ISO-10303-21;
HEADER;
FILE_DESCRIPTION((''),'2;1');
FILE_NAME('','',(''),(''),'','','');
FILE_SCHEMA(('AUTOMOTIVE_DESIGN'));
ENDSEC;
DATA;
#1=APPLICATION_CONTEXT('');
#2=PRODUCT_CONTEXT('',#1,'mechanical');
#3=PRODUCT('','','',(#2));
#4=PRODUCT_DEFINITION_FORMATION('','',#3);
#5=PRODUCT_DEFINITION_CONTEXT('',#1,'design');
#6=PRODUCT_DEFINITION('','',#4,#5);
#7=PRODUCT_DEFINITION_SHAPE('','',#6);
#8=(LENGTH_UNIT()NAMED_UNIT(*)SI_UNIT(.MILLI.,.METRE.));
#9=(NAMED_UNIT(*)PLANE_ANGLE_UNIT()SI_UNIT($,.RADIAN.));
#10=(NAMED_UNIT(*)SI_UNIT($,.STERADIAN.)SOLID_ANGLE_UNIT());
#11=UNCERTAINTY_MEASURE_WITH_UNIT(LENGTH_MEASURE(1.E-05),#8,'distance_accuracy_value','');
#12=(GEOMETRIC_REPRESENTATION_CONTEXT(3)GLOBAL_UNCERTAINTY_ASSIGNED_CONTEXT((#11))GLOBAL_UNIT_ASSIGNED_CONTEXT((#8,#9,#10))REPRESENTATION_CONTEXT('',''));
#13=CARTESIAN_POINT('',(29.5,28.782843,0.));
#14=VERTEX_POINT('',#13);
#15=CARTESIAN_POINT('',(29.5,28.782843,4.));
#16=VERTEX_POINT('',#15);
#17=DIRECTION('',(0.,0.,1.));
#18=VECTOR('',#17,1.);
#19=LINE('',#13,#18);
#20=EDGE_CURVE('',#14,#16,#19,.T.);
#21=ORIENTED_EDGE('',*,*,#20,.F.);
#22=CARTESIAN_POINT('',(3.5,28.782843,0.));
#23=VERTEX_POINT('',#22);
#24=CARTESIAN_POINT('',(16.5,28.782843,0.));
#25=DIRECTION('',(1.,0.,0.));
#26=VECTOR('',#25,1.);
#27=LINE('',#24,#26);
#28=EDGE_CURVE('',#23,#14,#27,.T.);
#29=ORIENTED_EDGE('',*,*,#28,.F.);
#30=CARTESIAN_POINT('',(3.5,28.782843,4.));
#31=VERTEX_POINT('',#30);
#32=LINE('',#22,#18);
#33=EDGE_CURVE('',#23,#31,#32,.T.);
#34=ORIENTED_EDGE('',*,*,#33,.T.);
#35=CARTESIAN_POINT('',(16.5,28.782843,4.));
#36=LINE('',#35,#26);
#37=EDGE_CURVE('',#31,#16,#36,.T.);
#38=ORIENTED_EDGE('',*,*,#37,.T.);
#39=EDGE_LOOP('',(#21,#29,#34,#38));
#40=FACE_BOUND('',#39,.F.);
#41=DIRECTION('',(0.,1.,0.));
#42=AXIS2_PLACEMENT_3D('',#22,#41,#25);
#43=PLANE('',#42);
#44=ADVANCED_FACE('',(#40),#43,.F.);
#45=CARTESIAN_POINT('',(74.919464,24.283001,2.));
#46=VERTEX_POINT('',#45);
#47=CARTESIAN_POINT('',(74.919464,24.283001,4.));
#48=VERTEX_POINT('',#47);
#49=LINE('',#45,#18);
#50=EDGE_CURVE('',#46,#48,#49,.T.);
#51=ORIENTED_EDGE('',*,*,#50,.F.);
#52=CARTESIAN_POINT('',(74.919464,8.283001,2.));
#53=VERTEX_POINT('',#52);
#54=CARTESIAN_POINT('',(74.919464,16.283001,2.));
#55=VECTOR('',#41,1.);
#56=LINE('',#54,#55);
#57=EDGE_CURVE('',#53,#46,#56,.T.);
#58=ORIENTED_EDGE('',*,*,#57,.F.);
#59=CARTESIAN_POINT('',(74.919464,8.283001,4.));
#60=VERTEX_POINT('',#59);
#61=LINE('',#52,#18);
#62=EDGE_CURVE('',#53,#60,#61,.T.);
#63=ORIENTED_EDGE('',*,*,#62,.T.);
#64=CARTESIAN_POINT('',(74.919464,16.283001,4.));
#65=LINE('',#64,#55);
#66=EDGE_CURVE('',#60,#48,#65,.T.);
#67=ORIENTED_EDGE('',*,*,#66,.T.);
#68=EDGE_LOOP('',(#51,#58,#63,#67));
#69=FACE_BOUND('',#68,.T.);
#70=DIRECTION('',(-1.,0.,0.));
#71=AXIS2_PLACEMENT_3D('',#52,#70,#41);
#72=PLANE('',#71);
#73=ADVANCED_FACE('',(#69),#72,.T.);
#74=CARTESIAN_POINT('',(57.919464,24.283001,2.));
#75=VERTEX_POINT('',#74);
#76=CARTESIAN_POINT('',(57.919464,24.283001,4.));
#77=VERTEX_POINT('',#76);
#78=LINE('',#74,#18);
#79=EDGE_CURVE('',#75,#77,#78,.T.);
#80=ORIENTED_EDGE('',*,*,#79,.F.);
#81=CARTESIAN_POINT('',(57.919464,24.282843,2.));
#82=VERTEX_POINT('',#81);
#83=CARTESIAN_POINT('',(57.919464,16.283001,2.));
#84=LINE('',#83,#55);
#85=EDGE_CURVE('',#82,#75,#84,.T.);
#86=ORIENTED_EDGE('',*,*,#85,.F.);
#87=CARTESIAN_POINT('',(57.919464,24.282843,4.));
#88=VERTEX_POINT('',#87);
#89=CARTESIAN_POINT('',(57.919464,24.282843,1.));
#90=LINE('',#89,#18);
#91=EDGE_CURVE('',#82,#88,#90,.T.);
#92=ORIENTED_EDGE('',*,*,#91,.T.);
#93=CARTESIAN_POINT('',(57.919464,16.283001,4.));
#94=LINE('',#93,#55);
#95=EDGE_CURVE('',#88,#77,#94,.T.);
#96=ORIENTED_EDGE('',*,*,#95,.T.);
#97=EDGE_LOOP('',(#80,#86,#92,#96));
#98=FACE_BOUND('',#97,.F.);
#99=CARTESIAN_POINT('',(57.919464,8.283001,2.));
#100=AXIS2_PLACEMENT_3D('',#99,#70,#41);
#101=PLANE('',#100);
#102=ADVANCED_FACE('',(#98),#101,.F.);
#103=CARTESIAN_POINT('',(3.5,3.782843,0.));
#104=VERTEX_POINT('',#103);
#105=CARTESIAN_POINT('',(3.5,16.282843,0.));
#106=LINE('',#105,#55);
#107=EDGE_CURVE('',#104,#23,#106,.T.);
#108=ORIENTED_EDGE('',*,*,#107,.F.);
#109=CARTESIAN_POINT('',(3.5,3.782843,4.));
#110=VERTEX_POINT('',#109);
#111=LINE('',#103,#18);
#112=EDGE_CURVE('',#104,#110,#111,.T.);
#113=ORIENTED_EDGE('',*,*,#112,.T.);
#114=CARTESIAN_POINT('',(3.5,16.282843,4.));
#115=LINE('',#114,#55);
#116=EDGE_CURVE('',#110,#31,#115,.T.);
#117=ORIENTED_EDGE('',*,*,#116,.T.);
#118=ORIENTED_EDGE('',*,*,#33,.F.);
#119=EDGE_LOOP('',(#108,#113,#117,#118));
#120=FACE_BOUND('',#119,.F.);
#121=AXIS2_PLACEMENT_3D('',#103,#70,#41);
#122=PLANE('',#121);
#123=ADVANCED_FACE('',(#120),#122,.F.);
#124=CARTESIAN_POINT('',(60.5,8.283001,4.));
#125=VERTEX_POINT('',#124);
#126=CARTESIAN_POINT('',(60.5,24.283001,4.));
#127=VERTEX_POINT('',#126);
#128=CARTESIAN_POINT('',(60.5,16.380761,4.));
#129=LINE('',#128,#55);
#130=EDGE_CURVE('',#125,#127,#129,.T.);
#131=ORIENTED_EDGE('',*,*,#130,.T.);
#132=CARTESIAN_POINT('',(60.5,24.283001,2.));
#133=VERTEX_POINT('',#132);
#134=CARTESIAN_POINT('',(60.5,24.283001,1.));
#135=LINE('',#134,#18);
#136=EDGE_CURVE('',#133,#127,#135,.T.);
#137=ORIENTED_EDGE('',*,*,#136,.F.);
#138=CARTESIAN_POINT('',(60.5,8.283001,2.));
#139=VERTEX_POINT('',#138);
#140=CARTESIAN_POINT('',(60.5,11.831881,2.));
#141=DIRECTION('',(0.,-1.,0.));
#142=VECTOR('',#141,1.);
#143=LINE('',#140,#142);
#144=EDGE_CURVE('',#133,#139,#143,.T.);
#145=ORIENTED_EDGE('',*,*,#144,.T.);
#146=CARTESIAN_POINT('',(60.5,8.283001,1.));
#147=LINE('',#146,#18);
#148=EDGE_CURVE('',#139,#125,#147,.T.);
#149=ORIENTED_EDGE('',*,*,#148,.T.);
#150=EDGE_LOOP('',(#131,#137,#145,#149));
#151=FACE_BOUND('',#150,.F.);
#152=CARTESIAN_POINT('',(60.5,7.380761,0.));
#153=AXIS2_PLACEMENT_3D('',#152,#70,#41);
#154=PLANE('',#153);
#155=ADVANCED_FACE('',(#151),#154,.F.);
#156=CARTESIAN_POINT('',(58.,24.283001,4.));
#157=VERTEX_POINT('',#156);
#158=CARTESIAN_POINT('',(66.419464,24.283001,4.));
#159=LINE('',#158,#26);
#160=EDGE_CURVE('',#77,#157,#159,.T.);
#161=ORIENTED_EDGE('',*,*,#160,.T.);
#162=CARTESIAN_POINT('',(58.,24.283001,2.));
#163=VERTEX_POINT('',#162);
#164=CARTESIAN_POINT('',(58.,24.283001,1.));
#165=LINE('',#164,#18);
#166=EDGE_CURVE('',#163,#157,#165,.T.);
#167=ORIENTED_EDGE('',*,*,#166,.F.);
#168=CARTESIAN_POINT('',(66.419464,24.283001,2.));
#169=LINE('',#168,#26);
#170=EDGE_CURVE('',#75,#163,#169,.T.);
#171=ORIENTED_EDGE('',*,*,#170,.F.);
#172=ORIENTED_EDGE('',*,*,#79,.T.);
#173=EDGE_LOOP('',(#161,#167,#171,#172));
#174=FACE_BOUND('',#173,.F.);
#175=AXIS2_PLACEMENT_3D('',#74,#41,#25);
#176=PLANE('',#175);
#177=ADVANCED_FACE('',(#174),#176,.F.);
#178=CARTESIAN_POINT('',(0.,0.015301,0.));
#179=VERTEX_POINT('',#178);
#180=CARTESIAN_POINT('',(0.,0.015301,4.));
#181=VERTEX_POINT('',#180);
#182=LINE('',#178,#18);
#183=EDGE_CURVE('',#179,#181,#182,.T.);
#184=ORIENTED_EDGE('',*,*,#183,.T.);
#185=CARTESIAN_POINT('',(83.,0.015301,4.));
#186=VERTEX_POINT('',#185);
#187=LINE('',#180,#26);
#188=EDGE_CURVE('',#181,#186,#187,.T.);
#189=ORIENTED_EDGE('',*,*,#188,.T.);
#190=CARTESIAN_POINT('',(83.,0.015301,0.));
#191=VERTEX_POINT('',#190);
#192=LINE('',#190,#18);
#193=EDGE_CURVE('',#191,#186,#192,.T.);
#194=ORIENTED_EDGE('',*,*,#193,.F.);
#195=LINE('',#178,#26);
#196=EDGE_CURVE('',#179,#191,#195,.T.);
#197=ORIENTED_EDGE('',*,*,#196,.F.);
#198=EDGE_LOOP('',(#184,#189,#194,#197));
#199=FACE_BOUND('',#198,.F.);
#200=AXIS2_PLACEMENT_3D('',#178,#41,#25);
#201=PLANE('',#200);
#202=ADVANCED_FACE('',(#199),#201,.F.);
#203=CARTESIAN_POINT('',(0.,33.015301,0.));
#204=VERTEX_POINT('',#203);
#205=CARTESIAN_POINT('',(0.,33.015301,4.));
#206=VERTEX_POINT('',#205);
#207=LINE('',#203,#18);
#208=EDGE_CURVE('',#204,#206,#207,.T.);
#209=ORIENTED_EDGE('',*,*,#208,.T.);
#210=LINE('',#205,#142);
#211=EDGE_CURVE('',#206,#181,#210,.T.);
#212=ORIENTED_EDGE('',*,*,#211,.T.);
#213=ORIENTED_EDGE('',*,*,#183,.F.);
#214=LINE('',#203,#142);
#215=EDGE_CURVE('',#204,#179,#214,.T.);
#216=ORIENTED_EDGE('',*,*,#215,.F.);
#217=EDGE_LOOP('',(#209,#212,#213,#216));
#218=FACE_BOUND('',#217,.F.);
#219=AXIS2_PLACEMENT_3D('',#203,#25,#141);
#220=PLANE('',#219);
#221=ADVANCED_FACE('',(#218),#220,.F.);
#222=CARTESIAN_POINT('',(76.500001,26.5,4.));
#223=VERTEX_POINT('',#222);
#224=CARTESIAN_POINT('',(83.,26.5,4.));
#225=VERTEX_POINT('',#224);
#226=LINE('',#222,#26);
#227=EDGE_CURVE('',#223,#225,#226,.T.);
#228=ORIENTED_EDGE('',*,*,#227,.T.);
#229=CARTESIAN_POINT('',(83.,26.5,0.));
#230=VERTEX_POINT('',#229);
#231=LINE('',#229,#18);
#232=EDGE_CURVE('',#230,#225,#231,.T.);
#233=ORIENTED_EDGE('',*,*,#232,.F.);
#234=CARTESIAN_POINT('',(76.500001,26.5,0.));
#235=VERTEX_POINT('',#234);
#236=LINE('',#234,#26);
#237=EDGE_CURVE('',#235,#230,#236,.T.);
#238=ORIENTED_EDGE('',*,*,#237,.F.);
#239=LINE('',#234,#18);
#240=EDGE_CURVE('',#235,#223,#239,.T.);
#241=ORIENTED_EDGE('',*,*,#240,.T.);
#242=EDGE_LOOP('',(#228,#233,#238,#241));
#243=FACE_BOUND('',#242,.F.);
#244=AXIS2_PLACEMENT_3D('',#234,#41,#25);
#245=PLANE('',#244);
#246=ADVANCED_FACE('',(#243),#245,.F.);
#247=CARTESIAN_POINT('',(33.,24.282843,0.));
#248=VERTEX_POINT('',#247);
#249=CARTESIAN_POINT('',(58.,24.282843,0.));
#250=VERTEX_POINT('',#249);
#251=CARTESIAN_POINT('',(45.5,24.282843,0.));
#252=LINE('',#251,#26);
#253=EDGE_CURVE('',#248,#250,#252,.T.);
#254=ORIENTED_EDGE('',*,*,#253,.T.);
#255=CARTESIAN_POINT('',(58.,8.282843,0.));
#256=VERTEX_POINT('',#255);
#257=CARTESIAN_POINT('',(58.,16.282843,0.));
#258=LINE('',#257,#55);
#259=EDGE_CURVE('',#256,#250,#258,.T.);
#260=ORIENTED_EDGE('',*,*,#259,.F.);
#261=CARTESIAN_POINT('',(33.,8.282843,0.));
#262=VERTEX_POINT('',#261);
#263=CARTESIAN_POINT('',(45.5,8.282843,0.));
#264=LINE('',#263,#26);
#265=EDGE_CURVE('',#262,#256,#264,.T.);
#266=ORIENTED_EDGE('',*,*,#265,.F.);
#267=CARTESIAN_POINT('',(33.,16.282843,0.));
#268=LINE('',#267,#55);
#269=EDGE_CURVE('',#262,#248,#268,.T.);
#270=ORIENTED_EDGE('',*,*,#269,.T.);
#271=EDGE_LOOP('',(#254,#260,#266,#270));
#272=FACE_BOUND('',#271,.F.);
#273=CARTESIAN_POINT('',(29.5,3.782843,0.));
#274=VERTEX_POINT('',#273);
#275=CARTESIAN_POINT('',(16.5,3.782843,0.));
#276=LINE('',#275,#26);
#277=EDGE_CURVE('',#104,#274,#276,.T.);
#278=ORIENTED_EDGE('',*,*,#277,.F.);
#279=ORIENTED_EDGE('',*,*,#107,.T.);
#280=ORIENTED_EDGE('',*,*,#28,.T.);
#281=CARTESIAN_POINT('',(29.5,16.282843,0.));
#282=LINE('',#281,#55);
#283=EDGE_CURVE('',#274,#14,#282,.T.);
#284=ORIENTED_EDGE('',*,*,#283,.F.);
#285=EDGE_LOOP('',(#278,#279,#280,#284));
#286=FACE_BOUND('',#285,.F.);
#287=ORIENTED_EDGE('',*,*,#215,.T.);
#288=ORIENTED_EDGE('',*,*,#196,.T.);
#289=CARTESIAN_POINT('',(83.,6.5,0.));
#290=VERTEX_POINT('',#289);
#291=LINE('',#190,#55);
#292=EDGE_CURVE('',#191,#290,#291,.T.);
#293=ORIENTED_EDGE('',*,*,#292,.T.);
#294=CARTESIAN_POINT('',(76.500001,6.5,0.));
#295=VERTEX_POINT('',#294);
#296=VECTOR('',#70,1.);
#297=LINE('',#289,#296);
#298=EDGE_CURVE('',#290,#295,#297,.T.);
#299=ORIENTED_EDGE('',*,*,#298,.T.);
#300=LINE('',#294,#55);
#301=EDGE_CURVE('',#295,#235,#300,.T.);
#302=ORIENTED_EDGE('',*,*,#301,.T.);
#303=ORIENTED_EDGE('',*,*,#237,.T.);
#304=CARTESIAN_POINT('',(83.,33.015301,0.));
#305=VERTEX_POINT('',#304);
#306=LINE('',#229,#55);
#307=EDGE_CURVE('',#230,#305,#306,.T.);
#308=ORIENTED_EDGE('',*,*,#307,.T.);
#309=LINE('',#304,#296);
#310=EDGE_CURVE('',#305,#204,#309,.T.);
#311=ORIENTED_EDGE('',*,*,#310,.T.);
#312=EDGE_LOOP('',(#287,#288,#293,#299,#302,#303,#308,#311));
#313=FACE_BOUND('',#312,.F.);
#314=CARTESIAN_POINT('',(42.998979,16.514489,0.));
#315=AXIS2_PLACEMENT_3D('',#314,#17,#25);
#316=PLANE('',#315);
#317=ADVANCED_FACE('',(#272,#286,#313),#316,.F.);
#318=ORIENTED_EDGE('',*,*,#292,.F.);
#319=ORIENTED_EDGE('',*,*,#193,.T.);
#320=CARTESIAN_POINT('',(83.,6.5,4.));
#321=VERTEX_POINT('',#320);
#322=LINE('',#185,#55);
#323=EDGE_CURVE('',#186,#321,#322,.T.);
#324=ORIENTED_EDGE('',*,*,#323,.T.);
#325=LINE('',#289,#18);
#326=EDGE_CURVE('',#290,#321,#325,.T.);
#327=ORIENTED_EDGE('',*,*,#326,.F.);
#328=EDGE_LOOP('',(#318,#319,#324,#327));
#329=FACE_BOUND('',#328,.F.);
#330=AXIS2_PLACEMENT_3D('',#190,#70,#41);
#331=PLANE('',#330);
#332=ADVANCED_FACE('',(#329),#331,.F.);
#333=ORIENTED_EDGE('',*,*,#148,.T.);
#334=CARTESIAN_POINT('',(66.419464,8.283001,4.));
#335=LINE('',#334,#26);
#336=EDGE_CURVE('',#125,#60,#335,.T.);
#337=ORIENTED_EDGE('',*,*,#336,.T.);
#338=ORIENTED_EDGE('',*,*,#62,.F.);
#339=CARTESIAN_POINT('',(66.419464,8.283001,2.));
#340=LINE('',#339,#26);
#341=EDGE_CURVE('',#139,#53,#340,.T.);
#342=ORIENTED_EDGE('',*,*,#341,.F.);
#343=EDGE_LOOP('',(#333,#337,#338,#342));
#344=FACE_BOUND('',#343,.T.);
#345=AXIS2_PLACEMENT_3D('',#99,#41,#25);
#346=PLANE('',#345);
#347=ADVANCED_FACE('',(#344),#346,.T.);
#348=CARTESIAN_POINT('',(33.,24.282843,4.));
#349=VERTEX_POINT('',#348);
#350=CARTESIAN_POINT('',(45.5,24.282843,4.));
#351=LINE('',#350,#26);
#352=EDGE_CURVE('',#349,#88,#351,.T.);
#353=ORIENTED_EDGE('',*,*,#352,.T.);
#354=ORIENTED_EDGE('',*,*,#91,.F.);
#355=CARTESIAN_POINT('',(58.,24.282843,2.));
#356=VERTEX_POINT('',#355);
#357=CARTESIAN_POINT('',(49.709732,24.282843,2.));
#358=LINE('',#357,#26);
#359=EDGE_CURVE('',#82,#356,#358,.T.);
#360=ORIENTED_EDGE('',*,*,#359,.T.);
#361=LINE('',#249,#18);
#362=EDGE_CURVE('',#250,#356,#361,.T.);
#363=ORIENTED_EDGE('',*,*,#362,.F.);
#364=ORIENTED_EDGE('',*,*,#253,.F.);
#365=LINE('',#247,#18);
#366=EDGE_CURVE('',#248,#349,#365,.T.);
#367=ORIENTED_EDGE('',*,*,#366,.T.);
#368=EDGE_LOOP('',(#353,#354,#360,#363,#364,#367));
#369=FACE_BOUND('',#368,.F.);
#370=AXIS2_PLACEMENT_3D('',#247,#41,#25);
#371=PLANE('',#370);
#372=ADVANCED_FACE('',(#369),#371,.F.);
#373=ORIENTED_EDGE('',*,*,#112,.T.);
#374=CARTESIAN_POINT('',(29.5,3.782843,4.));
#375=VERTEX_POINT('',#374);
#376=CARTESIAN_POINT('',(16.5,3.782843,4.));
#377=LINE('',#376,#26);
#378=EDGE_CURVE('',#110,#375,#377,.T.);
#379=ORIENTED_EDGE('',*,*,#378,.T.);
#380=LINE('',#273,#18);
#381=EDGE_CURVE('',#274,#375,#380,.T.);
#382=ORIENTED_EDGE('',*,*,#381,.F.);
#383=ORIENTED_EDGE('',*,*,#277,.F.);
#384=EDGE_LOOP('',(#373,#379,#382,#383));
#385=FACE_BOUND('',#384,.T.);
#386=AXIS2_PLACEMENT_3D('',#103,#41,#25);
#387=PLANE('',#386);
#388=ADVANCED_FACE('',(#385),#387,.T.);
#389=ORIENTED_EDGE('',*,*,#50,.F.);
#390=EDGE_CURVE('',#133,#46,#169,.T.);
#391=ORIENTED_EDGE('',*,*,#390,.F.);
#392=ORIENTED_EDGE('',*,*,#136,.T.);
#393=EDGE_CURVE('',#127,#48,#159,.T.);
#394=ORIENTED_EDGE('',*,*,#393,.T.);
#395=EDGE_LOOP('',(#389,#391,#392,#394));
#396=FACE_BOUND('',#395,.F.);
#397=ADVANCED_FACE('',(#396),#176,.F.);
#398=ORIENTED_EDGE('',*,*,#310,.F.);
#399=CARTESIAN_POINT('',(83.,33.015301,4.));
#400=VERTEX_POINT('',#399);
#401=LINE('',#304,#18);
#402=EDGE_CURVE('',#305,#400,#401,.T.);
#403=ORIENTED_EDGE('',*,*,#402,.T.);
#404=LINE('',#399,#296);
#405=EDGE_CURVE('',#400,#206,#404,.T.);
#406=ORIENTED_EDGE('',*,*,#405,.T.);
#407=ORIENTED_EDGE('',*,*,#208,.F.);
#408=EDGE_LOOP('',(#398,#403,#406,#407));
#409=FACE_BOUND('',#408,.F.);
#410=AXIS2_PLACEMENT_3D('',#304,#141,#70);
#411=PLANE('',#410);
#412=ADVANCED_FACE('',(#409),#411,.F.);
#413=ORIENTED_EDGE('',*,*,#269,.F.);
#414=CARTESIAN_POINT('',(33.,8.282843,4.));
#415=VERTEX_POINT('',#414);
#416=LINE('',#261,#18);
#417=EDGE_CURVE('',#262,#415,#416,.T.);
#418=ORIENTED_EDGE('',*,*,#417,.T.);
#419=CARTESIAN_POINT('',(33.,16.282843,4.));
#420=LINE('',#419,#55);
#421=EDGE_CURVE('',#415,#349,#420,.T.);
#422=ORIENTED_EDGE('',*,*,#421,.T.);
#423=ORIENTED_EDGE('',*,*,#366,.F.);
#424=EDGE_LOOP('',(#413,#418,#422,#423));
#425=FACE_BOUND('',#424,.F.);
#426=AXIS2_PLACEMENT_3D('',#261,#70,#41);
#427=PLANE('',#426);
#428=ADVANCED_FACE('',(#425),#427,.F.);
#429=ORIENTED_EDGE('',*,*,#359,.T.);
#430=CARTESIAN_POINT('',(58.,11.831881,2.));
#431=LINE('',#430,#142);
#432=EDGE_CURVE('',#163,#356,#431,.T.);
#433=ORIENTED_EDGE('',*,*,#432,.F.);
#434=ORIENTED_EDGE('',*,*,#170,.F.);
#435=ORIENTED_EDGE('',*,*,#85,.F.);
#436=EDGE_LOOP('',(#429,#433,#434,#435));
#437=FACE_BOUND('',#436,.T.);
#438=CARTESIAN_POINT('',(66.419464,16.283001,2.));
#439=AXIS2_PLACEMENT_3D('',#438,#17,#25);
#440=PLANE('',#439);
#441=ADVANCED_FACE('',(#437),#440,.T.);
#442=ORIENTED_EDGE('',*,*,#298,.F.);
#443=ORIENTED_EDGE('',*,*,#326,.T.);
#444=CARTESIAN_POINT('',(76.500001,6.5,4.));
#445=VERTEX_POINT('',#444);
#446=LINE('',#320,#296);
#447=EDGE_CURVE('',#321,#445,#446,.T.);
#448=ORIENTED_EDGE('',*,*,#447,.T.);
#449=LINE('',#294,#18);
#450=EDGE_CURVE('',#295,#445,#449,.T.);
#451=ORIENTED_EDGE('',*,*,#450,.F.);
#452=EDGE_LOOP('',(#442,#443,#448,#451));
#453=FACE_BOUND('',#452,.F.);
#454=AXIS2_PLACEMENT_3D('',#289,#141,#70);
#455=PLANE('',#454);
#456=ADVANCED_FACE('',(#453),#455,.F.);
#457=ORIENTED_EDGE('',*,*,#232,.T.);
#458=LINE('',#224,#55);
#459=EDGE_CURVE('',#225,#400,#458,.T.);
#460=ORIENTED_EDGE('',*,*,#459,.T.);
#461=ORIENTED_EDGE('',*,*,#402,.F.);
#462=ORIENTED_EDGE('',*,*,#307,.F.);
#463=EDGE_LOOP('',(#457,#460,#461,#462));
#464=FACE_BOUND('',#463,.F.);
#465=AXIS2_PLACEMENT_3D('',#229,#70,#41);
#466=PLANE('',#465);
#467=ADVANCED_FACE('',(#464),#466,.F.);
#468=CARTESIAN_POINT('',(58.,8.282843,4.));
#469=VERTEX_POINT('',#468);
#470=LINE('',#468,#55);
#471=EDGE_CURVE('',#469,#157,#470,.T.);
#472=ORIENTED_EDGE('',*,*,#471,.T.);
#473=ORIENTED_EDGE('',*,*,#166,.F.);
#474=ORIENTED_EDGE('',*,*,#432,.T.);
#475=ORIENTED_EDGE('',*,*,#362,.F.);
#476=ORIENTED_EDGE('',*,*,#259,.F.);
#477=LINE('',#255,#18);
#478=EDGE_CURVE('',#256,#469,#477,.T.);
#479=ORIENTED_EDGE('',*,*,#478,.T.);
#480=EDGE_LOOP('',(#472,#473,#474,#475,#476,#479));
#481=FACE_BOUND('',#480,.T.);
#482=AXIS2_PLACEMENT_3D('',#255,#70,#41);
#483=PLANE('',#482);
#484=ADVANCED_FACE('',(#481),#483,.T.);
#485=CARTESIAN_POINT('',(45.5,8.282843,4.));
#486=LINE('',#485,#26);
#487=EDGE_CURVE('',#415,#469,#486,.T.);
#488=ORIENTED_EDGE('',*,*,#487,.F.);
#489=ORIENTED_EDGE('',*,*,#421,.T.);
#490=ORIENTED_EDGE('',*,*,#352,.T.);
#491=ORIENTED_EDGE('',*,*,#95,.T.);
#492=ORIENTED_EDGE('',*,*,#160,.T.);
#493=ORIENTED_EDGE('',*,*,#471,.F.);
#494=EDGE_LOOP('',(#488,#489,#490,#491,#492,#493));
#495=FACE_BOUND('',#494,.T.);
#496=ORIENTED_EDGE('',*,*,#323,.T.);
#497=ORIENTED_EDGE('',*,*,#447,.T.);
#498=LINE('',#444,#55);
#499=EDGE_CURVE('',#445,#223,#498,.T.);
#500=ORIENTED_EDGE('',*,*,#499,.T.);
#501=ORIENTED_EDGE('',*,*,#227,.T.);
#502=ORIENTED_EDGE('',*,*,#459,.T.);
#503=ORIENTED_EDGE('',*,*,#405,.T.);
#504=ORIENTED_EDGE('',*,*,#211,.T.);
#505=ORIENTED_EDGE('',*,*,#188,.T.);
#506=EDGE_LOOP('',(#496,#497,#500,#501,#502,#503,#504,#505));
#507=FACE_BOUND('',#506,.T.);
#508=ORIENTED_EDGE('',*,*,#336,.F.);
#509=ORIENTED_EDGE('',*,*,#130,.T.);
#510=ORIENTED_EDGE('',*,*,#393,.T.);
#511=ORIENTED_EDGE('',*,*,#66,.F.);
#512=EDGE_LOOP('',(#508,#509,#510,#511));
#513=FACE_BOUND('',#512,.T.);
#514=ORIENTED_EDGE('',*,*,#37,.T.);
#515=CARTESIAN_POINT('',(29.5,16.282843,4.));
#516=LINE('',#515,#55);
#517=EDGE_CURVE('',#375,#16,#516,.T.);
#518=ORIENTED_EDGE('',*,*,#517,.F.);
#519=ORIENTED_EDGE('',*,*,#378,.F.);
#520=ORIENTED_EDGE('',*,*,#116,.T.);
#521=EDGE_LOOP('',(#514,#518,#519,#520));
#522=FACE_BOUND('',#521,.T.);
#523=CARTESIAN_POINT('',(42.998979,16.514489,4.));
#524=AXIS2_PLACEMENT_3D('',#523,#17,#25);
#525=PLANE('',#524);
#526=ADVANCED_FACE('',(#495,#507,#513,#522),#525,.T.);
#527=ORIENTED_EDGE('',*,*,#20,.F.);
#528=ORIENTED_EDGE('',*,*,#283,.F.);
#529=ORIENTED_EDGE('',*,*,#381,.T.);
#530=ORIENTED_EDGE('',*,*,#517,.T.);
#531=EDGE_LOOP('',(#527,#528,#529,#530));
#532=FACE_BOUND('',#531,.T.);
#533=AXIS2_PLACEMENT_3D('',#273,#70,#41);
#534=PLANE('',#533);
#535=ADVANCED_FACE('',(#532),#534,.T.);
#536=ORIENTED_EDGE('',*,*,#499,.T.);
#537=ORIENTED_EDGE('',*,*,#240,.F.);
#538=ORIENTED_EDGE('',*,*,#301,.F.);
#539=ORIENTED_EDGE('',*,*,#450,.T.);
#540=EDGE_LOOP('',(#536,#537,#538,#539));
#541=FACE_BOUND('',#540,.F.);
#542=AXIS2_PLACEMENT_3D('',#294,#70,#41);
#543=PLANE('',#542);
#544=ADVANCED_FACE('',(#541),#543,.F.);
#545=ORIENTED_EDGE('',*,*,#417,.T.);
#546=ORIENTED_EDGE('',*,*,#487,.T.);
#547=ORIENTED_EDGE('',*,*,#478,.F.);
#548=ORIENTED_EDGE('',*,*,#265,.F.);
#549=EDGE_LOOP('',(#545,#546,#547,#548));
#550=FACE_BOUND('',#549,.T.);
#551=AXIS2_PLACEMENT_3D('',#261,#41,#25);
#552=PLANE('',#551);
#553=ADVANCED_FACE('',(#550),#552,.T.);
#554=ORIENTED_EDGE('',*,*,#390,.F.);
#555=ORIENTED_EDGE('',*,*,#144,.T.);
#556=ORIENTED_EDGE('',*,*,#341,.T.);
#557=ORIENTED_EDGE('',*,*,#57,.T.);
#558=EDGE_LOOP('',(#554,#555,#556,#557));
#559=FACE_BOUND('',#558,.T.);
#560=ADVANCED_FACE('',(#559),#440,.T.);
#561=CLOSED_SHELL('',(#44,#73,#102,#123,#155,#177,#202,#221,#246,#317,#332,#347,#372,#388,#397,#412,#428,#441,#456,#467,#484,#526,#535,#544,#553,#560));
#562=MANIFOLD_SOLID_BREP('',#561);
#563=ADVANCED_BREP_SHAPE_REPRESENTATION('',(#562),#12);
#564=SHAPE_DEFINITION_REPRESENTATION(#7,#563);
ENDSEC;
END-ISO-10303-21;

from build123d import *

# Parameters (mm, degrees)
SKETCH001_W  = 17
SKETCH001_H  = 16
PAD001_DEPTH = 2
SKETCH005_W  = 2.5
SKETCH005_H  = 18
PAD005_DEPTH = 4
SKETCH_W     = 26
SKETCH_H     = 25
SKETCH_W_2   = 25
SKETCH_H_2   = 16
PAD_DEPTH    = 4


with BuildPart() as cuerpo001:
    # Sketch001 → Pad001 (new body)
    with BuildSketch(Plane.XY):
        with Locations((66.419464, 16.283001)):
            Rectangle(SKETCH001_W, SKETCH001_H)
    extrude(amount=PAD001_DEPTH)


with BuildPart() as cuerpo001_1:
    # Body001 placement: moved
    add(cuerpo001.part.moved(Location((0, 0, 2))))


with BuildPart() as cuerpo005:
    # Sketch005 → Pad005 (new body)
    with BuildSketch(Plane.XY):
        with Locations((59.25, 16.380761)):
            Rectangle(SKETCH005_W, SKETCH005_H)
    extrude(amount=PAD005_DEPTH)


with BuildPart() as cuerpo:
    # Sketch → Pad (new body)
    with BuildSketch(Plane.XY):
        Polygon((0, 33.015301), (0, 0.015301), (83, 0.015301), (83, 6.5), (76.500001, 6.5), (76.500001, 26.5), (83, 26.5), (83, 33.015301), align=None)
        with Locations((16.5, 16.282843)):
            Rectangle(SKETCH_W, SKETCH_H, mode=Mode.SUBTRACT)
        with Locations((45.5, 16.282843)):
            Rectangle(SKETCH_W_2, SKETCH_H_2, mode=Mode.SUBTRACT)
    extrude(amount=PAD_DEPTH)

    # Boolean: cut Cuerpo001
    add(cuerpo001_1.part, mode=Mode.SUBTRACT)

    # Boolean001: union Cuerpo005
    add(cuerpo005.part)


solid = cuerpo.part
